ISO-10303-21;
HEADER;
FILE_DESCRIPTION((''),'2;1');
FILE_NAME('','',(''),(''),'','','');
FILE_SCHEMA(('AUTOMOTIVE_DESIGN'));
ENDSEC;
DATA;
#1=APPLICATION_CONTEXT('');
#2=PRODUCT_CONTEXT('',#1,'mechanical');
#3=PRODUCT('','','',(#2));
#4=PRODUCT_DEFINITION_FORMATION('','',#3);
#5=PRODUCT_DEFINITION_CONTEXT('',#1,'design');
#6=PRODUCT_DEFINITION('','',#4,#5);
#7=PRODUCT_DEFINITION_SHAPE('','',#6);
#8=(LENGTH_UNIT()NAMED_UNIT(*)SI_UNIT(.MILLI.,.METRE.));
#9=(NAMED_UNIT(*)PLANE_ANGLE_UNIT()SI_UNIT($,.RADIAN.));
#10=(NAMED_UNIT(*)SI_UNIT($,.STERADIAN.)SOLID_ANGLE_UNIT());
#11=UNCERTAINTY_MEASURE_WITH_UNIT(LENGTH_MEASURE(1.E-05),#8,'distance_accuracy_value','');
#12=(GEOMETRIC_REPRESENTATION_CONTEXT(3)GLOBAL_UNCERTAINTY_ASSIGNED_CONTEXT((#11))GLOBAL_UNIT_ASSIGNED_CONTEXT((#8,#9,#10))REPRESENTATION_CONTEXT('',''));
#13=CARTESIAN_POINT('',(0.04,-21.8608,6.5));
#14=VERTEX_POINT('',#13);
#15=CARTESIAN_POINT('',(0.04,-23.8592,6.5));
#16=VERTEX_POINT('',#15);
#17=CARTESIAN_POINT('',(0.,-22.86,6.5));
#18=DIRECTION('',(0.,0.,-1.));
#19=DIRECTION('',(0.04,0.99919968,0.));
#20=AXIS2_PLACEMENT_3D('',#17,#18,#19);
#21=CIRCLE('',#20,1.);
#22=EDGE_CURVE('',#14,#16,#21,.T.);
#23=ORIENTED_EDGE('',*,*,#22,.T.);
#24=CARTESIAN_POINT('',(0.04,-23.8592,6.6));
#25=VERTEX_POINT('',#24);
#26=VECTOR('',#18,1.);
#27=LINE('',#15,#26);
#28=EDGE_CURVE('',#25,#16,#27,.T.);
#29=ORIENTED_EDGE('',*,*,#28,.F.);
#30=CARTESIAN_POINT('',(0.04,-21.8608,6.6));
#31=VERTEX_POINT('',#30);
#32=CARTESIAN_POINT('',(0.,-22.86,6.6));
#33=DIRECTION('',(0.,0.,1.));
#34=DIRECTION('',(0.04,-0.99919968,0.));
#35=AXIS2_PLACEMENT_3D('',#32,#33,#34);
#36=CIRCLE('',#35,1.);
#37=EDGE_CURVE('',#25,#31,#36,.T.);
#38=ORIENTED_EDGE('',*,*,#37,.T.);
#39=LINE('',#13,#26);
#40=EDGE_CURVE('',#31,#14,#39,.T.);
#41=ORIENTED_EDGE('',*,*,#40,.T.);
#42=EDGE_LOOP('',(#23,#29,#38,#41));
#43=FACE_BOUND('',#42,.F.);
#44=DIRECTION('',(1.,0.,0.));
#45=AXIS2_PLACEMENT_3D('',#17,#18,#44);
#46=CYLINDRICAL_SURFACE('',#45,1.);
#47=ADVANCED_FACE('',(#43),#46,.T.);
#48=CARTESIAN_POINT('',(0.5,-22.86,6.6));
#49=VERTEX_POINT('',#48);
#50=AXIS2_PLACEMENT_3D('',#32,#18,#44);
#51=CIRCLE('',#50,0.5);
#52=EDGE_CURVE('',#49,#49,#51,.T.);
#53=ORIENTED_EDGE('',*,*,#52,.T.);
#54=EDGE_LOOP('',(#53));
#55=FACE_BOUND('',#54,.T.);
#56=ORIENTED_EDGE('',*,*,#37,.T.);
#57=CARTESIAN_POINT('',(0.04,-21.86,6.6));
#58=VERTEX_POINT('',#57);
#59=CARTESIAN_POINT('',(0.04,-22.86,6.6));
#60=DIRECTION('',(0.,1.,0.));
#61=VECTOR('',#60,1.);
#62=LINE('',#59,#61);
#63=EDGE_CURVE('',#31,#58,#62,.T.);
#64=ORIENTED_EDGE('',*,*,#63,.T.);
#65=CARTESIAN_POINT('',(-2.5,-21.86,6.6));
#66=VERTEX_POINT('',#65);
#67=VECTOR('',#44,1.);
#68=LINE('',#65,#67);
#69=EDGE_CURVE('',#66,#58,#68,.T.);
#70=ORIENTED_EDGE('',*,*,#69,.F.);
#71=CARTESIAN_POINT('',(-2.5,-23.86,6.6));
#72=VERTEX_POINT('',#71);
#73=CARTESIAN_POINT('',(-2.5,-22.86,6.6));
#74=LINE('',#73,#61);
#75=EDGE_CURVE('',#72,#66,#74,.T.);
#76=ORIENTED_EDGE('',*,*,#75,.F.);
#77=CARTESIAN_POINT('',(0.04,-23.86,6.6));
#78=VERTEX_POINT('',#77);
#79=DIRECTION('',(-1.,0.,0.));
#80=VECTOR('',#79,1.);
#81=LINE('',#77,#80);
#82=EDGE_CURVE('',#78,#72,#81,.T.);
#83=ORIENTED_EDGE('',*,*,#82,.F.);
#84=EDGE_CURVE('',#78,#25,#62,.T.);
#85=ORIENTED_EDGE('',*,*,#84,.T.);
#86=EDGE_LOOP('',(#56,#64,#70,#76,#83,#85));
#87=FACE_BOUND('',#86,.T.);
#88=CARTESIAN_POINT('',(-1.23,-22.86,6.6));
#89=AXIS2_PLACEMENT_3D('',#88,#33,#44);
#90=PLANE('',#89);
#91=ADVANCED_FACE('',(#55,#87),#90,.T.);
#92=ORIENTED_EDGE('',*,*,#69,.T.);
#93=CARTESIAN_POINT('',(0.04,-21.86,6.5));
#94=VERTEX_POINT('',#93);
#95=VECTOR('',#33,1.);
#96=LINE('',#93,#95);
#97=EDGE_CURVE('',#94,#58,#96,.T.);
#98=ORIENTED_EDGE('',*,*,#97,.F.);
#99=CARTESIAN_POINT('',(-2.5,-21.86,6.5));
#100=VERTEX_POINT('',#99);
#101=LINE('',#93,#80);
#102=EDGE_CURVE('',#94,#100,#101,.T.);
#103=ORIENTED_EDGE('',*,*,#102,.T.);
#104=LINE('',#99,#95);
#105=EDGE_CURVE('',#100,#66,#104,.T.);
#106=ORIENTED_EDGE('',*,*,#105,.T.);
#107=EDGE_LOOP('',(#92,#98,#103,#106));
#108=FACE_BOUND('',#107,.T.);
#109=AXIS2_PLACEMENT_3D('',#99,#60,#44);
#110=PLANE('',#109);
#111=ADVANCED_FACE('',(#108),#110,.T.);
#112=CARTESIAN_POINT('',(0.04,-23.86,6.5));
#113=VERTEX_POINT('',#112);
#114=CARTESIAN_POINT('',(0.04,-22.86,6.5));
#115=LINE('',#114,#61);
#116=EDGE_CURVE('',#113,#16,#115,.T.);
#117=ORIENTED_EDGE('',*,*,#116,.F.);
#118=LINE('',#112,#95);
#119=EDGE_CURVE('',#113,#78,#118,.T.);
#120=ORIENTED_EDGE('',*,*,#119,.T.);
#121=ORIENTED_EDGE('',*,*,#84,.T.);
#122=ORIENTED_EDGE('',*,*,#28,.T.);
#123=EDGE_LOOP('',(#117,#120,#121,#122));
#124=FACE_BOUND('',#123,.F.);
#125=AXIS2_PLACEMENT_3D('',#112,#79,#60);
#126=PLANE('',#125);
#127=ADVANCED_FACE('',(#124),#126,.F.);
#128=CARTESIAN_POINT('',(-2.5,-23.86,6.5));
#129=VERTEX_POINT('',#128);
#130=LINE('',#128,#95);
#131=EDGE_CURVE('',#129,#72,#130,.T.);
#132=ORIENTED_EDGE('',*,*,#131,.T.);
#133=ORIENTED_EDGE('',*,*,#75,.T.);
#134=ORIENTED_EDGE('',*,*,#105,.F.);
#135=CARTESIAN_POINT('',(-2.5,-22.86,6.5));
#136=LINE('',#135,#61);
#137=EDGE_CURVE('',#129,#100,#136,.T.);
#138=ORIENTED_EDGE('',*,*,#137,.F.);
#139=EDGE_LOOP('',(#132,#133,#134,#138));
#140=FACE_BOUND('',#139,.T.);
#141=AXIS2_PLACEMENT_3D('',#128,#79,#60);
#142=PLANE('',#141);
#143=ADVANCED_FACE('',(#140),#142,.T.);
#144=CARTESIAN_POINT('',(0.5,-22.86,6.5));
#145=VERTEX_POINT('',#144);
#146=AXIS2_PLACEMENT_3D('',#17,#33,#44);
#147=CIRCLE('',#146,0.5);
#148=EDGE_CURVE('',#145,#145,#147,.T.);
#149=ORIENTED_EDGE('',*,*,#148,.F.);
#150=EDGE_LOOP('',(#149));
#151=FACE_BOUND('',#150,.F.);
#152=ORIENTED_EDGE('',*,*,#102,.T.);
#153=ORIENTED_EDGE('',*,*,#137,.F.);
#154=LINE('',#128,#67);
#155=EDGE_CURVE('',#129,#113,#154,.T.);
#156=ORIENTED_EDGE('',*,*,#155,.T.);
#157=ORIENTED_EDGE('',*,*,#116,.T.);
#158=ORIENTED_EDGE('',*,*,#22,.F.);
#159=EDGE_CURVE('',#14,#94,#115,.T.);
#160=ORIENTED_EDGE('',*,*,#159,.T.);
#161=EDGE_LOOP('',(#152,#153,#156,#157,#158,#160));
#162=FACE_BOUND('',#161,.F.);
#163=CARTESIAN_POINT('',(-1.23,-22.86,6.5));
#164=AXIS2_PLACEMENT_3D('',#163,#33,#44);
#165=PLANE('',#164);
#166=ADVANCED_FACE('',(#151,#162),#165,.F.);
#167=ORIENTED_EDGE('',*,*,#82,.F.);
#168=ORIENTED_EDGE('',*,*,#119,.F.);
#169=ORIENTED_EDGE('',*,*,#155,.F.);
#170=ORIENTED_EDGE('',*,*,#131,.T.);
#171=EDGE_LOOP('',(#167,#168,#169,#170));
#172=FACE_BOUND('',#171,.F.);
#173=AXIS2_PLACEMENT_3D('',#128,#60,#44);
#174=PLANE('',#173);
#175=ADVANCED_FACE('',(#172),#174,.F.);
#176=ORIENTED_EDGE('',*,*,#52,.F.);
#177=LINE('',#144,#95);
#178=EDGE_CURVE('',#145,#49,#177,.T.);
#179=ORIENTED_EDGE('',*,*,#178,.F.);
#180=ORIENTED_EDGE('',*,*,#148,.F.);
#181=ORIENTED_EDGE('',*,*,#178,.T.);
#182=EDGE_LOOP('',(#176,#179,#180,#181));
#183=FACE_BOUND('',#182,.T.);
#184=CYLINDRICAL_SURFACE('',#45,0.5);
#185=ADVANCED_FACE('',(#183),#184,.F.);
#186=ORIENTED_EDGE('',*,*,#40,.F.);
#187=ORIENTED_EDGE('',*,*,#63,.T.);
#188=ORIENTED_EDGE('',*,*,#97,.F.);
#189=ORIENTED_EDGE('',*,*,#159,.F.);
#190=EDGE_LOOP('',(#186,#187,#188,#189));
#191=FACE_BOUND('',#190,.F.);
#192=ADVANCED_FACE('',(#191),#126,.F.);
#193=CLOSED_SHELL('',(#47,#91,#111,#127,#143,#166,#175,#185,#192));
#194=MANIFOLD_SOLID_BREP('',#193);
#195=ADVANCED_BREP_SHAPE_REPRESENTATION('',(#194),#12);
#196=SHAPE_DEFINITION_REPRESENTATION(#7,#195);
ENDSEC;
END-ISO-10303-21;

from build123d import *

# Parameters (mm, degrees)
CYLINDER029_R     = 0.5
CYLINDER029_DEPTH = 0.1
BOX012_W          = 2.54
BOX012_H          = 2
BOX012_DEPTH      = 0.1
CYLINDER028_R     = 0.5
CYLINDER028_DEPTH = 0.1
CYLINDER027_R     = 1
CYLINDER027_DEPTH = 0.1


with BuildPart() as cylinder029:
    # Cylinder029 → Cylinder029 (new body)
    with BuildSketch(Plane.XY.offset(1)):
        Circle(CYLINDER029_R)
    extrude(amount=CYLINDER029_DEPTH)


with BuildPart() as cut020:
    # Box012 → Box012 (new body)
    with BuildSketch(Plane(origin=(-2.5, -1, 1), x_dir=(1, 0, 0), z_dir=(0, 0, 1))):
        with Locations((1.27, 1)):
            Rectangle(BOX012_W, BOX012_H)
    extrude(amount=BOX012_DEPTH)

    # Cut020: cut Cylinder029
    add(cylinder029.part, mode=Mode.SUBTRACT)


with BuildPart() as cylinder028:
    # Cylinder028 → Cylinder028 (new body)
    with BuildSketch(Plane.XY.offset(1)):
        Circle(CYLINDER028_R)
    extrude(amount=CYLINDER028_DEPTH)


with BuildPart() as fusion009:
    # Cylinder027 → Cylinder027 (new body)
    with BuildSketch(Plane.XY.offset(1)):
        Circle(CYLINDER027_R)
    extrude(amount=CYLINDER027_DEPTH)

    # Cut019: cut Cylinder028
    add(cylinder028.part, mode=Mode.SUBTRACT)

    # Fusion009: union Cut020
    add(cut020.part)


with BuildPart() as fusion009_1:
    # Fusion009 placement: moved
    add(fusion009.part.moved(Location((0, -22.86, 5.5))))


solid = fusion009_1.part
